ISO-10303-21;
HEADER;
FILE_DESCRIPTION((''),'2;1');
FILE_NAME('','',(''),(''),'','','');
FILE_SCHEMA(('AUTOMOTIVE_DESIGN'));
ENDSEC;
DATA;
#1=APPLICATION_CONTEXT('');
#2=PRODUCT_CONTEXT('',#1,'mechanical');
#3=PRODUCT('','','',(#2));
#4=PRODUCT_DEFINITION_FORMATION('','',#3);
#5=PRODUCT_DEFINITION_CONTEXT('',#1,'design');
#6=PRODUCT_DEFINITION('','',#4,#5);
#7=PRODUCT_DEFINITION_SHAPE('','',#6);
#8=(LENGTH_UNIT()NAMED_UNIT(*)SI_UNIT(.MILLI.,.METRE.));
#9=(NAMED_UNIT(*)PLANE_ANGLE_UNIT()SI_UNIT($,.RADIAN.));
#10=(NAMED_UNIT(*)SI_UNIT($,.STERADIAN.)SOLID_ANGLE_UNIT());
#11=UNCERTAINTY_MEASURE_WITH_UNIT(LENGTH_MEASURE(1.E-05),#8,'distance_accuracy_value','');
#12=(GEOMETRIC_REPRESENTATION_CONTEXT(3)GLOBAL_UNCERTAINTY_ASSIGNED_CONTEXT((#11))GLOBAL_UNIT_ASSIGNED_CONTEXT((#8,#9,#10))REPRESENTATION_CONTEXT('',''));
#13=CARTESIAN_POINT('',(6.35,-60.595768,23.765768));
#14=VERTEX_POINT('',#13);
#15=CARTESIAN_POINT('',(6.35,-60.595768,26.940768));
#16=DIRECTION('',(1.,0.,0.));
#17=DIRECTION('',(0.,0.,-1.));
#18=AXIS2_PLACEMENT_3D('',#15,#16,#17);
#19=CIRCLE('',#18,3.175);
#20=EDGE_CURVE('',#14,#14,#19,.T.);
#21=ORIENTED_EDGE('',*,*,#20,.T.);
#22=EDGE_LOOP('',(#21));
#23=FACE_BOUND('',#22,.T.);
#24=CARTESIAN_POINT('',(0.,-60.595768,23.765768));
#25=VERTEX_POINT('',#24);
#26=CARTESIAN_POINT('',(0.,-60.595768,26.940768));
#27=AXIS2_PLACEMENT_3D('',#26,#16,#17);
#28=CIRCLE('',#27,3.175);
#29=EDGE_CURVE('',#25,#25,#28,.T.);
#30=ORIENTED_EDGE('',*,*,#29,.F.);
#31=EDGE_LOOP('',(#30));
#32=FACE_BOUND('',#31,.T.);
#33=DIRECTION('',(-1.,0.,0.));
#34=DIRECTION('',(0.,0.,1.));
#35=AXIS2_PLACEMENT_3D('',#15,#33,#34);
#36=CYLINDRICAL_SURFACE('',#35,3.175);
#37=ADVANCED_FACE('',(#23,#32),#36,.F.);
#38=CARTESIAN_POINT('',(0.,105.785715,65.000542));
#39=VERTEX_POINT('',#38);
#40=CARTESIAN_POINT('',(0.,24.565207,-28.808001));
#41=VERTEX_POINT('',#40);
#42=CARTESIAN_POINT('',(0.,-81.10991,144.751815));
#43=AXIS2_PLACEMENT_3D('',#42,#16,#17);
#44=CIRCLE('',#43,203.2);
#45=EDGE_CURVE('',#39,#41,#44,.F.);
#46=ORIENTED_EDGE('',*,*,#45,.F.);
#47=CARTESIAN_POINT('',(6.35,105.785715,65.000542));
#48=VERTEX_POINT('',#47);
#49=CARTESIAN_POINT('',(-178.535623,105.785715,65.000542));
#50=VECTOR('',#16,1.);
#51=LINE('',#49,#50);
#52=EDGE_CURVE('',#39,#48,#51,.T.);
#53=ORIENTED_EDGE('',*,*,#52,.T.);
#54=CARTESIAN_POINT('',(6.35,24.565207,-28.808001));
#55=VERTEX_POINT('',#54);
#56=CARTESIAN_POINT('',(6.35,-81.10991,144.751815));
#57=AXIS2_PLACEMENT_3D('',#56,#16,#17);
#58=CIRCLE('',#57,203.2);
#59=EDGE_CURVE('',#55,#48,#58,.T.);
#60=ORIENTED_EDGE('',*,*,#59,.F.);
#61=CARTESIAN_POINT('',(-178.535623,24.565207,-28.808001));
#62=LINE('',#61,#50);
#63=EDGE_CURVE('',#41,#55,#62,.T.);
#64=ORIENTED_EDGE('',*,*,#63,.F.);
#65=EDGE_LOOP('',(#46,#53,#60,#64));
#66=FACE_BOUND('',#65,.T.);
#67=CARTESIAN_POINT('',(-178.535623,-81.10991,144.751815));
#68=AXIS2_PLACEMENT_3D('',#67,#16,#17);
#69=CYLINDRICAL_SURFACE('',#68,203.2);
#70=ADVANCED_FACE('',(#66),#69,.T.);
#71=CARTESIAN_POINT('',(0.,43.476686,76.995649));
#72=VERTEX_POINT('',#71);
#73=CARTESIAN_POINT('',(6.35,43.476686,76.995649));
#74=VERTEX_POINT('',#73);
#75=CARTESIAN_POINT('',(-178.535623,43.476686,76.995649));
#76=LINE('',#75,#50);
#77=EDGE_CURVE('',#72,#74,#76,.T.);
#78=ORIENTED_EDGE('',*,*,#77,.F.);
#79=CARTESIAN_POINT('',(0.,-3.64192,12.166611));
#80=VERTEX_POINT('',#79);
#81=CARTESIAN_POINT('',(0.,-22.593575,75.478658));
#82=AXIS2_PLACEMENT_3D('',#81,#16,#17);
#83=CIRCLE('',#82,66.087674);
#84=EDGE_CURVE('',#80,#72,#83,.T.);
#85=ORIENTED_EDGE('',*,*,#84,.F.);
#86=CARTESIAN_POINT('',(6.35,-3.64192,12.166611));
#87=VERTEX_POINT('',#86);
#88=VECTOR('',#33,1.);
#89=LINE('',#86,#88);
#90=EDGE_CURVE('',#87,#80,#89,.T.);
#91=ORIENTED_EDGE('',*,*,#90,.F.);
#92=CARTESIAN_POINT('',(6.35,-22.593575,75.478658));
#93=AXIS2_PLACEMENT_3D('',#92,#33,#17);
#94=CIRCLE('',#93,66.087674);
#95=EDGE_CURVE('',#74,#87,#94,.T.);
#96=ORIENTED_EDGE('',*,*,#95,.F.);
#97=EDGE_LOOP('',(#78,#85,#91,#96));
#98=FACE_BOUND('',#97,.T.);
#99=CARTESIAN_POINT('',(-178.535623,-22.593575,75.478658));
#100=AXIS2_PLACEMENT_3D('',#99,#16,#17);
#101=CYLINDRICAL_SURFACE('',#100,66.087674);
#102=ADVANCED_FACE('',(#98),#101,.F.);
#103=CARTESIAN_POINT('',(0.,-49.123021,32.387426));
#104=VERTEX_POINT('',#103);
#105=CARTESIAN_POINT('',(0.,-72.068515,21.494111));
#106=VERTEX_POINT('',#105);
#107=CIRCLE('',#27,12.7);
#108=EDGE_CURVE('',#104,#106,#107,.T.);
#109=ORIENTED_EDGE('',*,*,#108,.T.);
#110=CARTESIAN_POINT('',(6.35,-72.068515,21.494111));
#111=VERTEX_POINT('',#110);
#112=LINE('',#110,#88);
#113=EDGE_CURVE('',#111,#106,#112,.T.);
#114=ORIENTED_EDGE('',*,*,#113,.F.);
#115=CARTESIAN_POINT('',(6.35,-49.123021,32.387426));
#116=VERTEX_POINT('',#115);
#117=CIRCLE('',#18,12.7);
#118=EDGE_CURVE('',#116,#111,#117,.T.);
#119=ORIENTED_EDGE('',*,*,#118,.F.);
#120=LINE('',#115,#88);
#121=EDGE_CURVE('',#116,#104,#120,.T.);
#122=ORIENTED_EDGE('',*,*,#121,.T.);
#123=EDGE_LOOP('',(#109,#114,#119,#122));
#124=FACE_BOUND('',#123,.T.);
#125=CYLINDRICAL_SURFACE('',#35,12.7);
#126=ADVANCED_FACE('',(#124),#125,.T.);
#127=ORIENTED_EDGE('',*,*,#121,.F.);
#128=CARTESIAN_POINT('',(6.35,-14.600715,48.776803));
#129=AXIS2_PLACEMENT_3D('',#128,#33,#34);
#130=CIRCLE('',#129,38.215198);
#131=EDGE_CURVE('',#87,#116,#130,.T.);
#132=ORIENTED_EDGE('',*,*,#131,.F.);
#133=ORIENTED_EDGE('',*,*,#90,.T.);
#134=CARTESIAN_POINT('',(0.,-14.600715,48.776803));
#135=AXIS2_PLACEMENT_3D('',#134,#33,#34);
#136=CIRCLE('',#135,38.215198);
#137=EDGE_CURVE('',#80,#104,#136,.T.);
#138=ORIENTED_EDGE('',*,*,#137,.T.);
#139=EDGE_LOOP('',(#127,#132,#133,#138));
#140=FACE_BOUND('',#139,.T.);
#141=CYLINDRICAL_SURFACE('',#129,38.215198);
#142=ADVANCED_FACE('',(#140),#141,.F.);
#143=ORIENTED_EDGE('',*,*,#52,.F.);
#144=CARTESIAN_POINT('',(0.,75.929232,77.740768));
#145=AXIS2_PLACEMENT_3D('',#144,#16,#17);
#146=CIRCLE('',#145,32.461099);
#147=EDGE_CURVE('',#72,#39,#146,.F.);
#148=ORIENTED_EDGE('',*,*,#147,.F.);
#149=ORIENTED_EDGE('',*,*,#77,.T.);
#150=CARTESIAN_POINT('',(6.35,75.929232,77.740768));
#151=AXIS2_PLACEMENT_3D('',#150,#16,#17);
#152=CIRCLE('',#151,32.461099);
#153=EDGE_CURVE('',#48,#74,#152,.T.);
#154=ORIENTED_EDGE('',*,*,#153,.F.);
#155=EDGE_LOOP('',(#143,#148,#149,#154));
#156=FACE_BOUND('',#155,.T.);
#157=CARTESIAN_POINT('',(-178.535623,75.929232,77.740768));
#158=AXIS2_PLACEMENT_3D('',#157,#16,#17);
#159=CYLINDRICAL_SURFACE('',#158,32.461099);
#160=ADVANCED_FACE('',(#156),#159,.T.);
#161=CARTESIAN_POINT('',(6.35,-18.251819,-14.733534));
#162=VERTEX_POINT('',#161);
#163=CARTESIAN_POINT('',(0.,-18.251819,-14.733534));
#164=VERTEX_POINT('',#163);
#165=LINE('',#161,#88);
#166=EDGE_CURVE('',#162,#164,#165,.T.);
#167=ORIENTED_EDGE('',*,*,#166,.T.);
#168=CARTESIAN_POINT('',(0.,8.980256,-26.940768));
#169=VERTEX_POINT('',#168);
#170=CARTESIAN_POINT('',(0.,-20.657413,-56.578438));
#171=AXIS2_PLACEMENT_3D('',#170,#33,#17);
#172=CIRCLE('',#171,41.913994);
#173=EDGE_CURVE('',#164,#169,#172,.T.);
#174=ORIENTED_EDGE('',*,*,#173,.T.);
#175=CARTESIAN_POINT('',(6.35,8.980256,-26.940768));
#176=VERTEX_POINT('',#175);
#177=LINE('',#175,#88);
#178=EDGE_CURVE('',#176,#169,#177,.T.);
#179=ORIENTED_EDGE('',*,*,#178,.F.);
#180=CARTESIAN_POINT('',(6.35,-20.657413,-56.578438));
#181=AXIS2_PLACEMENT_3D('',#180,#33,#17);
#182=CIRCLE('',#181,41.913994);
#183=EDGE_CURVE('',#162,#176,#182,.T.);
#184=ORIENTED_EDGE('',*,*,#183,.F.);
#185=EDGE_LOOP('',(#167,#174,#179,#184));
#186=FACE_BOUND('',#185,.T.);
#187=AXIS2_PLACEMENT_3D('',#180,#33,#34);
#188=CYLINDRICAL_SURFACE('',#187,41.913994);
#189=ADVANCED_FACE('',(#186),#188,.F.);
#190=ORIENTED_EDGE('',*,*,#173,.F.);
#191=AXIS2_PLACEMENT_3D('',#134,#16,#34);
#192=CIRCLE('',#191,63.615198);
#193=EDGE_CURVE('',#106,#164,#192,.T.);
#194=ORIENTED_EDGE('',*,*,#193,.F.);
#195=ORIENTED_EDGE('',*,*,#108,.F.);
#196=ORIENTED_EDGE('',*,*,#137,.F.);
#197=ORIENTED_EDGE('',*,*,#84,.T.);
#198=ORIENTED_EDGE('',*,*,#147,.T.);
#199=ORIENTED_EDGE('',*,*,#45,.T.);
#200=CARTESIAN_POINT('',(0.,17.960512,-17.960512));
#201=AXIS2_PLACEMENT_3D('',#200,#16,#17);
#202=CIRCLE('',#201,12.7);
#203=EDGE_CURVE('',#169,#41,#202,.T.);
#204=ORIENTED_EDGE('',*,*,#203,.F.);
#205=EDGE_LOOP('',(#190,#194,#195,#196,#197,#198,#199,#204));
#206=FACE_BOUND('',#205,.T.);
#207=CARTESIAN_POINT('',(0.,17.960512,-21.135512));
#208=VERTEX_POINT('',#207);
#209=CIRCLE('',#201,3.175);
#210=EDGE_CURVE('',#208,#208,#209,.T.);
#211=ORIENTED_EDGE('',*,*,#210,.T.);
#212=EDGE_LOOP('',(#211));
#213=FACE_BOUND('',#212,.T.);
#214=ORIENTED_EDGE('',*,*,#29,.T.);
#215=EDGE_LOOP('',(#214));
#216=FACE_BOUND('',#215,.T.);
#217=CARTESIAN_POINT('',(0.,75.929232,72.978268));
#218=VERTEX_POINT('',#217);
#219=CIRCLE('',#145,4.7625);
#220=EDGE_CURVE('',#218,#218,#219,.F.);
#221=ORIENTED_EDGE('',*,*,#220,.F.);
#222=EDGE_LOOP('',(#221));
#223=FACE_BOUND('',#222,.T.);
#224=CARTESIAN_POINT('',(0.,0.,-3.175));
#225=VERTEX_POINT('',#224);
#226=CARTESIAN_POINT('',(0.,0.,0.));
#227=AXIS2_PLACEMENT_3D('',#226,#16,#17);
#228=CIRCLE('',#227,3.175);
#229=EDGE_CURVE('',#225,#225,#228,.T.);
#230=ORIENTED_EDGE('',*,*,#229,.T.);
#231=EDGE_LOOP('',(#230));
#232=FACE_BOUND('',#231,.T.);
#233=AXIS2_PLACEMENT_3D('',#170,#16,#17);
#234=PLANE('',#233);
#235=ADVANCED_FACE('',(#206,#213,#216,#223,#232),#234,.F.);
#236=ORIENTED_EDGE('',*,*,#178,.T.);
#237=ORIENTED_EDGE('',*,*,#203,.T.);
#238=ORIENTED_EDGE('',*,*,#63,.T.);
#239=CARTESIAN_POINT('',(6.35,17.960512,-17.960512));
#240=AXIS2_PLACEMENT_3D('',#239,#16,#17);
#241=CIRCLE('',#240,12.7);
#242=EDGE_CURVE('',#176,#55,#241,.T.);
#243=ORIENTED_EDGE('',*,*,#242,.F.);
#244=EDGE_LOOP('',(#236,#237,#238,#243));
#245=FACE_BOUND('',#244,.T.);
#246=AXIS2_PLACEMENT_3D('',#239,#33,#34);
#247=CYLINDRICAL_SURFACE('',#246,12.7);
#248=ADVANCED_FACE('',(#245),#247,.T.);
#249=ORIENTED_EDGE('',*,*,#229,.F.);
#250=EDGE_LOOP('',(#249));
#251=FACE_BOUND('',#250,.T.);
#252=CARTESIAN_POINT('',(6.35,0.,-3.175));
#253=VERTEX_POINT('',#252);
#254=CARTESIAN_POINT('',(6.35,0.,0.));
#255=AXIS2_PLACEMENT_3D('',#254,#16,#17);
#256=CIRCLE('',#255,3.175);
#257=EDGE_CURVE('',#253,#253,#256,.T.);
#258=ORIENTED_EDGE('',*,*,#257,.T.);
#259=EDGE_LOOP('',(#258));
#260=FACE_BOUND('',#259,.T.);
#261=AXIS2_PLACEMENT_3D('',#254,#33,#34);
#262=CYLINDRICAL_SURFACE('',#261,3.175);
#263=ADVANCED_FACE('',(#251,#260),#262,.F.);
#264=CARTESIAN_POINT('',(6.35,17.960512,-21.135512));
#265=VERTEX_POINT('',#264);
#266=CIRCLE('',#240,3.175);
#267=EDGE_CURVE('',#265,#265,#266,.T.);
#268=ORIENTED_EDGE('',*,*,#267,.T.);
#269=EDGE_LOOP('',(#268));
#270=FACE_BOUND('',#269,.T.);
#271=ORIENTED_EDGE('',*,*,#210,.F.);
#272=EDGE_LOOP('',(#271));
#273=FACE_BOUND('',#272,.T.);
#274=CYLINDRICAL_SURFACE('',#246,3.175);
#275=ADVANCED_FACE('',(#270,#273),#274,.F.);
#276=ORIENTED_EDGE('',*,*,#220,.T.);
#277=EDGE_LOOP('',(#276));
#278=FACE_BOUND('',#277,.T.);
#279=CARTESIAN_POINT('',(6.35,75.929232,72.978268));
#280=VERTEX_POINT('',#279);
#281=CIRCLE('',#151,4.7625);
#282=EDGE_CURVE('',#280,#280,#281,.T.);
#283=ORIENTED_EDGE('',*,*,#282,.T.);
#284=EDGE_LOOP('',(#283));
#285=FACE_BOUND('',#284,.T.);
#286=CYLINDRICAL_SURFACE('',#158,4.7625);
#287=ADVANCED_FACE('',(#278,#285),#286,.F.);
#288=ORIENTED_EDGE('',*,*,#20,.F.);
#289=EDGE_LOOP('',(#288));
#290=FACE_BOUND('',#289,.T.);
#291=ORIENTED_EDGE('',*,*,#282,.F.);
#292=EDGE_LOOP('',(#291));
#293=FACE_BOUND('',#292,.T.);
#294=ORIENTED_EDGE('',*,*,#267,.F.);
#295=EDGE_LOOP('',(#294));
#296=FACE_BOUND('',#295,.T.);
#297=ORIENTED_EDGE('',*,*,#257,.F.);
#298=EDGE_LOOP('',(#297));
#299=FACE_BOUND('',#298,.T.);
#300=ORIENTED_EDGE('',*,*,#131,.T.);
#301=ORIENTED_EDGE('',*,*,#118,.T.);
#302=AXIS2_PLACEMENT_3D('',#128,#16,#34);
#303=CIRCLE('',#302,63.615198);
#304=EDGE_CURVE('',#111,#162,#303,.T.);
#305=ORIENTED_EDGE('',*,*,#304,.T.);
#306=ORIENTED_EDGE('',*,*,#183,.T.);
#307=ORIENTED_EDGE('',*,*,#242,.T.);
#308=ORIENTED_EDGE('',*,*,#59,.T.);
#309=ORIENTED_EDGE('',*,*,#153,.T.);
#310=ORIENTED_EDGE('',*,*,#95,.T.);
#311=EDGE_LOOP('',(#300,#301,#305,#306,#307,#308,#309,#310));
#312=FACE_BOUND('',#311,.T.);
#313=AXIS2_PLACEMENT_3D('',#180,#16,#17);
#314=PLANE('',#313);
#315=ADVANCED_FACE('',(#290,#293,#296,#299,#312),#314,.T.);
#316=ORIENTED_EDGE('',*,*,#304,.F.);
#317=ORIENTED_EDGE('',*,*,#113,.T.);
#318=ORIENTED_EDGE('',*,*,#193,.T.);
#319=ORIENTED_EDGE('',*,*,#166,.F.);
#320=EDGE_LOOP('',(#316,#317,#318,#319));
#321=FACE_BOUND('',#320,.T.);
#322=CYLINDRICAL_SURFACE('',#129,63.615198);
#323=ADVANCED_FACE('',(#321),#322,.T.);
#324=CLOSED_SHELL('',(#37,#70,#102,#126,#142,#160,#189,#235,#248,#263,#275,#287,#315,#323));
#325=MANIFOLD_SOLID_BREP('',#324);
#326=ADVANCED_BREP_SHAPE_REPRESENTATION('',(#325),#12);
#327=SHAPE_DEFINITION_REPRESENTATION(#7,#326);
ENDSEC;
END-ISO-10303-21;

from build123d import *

# Parameters (mm, degrees)
SKETCH1_R           = 3.175
BOSS_EXTRUDE1_DEPTH = 6.35
BOSS_EXTRUDE2_START = -6.35
SKETCH2_R           = 4.7625
BOSS_EXTRUDE2_DEPTH = 6.35


with BuildPart() as part:
    # Sketch1 → Boss-Extrude1 (new body)
    with BuildSketch(Plane(origin=(0, 0, 0), x_dir=(0, 0, -1), z_dir=(1, 0, 0))):
        with BuildLine():
            Line((-8.980256121, 8.980256121), (8.980256121, 26.940768363))
            ThreePointArc((8.980256121, 26.940768363), (26.940768363, 26.940768363), (26.940768363, 8.980256121))
            ThreePointArc((26.940768363, 8.980256121), (18.331397871, -3.512535502), (14.733533544, -18.2518189))
            ThreePointArc((14.733533544, -18.2518189), (3.99537448, -50.125222998), (-21.49411099, -72.068515352))
            ThreePointArc((-21.49411099, -72.068515352), (-38.413515352, -66.042425736), (-32.387425736, -49.123021375))
            ThreePointArc((-32.387425736, -49.123021375), (-13.857306444, -30.125859248), (-12.166610815, -3.641919999))
            ThreePointArc((-12.166610815, -3.641919999), (-12.313704877, 3.108483907), (-8.980256121, 8.980256121))
        make_face()
        Circle(SKETCH1_R, mode=Mode.SUBTRACT)
        with Locations((17.960512242, 17.960512242)):
            Circle(SKETCH1_R, mode=Mode.SUBTRACT)
        with Locations((-26.940768363, -60.595768363)):
            Circle(SKETCH1_R, mode=Mode.SUBTRACT)
    extrude(amount=BOSS_EXTRUDE1_DEPTH)

    # Sketch2 → Boss-Extrude2 (add)
    with BuildSketch(Plane(origin=(6.35, 0, 0), x_dir=(0, 0, -1), z_dir=(1, 0, 0)).offset(BOSS_EXTRUDE2_START)):
        with BuildLine():
            Line((-8.980256121, 8.980256121), (8.980256121, 26.940768363))
            ThreePointArc((8.980256121, 26.940768363), (19.47129419, 30.570331349), (28.80800074, 24.565207034))
            ThreePointArc((28.80800074, 24.565207034), (-11.744974479, 72.511118598), (-65.000542096, 105.785714805))
            ThreePointArc((-65.000542096, 105.785714805), (-109.616580791, 82.065642196), (-76.995649237, 43.476685512))
            ThreePointArc((-76.995649237, 43.476685512), (-36.623825936, 30.865592429), (-12.166610815, -3.641919999))
            ThreePointArc((-12.166610815, -3.641919999), (-12.313704877, 3.108483907), (-8.980256121, 8.980256121))
        make_face()
        with Locations((-77.740768363, 75.929231637)):
            Circle(SKETCH2_R, mode=Mode.SUBTRACT)
    extrude(amount=BOSS_EXTRUDE2_DEPTH)


solid = part.part
